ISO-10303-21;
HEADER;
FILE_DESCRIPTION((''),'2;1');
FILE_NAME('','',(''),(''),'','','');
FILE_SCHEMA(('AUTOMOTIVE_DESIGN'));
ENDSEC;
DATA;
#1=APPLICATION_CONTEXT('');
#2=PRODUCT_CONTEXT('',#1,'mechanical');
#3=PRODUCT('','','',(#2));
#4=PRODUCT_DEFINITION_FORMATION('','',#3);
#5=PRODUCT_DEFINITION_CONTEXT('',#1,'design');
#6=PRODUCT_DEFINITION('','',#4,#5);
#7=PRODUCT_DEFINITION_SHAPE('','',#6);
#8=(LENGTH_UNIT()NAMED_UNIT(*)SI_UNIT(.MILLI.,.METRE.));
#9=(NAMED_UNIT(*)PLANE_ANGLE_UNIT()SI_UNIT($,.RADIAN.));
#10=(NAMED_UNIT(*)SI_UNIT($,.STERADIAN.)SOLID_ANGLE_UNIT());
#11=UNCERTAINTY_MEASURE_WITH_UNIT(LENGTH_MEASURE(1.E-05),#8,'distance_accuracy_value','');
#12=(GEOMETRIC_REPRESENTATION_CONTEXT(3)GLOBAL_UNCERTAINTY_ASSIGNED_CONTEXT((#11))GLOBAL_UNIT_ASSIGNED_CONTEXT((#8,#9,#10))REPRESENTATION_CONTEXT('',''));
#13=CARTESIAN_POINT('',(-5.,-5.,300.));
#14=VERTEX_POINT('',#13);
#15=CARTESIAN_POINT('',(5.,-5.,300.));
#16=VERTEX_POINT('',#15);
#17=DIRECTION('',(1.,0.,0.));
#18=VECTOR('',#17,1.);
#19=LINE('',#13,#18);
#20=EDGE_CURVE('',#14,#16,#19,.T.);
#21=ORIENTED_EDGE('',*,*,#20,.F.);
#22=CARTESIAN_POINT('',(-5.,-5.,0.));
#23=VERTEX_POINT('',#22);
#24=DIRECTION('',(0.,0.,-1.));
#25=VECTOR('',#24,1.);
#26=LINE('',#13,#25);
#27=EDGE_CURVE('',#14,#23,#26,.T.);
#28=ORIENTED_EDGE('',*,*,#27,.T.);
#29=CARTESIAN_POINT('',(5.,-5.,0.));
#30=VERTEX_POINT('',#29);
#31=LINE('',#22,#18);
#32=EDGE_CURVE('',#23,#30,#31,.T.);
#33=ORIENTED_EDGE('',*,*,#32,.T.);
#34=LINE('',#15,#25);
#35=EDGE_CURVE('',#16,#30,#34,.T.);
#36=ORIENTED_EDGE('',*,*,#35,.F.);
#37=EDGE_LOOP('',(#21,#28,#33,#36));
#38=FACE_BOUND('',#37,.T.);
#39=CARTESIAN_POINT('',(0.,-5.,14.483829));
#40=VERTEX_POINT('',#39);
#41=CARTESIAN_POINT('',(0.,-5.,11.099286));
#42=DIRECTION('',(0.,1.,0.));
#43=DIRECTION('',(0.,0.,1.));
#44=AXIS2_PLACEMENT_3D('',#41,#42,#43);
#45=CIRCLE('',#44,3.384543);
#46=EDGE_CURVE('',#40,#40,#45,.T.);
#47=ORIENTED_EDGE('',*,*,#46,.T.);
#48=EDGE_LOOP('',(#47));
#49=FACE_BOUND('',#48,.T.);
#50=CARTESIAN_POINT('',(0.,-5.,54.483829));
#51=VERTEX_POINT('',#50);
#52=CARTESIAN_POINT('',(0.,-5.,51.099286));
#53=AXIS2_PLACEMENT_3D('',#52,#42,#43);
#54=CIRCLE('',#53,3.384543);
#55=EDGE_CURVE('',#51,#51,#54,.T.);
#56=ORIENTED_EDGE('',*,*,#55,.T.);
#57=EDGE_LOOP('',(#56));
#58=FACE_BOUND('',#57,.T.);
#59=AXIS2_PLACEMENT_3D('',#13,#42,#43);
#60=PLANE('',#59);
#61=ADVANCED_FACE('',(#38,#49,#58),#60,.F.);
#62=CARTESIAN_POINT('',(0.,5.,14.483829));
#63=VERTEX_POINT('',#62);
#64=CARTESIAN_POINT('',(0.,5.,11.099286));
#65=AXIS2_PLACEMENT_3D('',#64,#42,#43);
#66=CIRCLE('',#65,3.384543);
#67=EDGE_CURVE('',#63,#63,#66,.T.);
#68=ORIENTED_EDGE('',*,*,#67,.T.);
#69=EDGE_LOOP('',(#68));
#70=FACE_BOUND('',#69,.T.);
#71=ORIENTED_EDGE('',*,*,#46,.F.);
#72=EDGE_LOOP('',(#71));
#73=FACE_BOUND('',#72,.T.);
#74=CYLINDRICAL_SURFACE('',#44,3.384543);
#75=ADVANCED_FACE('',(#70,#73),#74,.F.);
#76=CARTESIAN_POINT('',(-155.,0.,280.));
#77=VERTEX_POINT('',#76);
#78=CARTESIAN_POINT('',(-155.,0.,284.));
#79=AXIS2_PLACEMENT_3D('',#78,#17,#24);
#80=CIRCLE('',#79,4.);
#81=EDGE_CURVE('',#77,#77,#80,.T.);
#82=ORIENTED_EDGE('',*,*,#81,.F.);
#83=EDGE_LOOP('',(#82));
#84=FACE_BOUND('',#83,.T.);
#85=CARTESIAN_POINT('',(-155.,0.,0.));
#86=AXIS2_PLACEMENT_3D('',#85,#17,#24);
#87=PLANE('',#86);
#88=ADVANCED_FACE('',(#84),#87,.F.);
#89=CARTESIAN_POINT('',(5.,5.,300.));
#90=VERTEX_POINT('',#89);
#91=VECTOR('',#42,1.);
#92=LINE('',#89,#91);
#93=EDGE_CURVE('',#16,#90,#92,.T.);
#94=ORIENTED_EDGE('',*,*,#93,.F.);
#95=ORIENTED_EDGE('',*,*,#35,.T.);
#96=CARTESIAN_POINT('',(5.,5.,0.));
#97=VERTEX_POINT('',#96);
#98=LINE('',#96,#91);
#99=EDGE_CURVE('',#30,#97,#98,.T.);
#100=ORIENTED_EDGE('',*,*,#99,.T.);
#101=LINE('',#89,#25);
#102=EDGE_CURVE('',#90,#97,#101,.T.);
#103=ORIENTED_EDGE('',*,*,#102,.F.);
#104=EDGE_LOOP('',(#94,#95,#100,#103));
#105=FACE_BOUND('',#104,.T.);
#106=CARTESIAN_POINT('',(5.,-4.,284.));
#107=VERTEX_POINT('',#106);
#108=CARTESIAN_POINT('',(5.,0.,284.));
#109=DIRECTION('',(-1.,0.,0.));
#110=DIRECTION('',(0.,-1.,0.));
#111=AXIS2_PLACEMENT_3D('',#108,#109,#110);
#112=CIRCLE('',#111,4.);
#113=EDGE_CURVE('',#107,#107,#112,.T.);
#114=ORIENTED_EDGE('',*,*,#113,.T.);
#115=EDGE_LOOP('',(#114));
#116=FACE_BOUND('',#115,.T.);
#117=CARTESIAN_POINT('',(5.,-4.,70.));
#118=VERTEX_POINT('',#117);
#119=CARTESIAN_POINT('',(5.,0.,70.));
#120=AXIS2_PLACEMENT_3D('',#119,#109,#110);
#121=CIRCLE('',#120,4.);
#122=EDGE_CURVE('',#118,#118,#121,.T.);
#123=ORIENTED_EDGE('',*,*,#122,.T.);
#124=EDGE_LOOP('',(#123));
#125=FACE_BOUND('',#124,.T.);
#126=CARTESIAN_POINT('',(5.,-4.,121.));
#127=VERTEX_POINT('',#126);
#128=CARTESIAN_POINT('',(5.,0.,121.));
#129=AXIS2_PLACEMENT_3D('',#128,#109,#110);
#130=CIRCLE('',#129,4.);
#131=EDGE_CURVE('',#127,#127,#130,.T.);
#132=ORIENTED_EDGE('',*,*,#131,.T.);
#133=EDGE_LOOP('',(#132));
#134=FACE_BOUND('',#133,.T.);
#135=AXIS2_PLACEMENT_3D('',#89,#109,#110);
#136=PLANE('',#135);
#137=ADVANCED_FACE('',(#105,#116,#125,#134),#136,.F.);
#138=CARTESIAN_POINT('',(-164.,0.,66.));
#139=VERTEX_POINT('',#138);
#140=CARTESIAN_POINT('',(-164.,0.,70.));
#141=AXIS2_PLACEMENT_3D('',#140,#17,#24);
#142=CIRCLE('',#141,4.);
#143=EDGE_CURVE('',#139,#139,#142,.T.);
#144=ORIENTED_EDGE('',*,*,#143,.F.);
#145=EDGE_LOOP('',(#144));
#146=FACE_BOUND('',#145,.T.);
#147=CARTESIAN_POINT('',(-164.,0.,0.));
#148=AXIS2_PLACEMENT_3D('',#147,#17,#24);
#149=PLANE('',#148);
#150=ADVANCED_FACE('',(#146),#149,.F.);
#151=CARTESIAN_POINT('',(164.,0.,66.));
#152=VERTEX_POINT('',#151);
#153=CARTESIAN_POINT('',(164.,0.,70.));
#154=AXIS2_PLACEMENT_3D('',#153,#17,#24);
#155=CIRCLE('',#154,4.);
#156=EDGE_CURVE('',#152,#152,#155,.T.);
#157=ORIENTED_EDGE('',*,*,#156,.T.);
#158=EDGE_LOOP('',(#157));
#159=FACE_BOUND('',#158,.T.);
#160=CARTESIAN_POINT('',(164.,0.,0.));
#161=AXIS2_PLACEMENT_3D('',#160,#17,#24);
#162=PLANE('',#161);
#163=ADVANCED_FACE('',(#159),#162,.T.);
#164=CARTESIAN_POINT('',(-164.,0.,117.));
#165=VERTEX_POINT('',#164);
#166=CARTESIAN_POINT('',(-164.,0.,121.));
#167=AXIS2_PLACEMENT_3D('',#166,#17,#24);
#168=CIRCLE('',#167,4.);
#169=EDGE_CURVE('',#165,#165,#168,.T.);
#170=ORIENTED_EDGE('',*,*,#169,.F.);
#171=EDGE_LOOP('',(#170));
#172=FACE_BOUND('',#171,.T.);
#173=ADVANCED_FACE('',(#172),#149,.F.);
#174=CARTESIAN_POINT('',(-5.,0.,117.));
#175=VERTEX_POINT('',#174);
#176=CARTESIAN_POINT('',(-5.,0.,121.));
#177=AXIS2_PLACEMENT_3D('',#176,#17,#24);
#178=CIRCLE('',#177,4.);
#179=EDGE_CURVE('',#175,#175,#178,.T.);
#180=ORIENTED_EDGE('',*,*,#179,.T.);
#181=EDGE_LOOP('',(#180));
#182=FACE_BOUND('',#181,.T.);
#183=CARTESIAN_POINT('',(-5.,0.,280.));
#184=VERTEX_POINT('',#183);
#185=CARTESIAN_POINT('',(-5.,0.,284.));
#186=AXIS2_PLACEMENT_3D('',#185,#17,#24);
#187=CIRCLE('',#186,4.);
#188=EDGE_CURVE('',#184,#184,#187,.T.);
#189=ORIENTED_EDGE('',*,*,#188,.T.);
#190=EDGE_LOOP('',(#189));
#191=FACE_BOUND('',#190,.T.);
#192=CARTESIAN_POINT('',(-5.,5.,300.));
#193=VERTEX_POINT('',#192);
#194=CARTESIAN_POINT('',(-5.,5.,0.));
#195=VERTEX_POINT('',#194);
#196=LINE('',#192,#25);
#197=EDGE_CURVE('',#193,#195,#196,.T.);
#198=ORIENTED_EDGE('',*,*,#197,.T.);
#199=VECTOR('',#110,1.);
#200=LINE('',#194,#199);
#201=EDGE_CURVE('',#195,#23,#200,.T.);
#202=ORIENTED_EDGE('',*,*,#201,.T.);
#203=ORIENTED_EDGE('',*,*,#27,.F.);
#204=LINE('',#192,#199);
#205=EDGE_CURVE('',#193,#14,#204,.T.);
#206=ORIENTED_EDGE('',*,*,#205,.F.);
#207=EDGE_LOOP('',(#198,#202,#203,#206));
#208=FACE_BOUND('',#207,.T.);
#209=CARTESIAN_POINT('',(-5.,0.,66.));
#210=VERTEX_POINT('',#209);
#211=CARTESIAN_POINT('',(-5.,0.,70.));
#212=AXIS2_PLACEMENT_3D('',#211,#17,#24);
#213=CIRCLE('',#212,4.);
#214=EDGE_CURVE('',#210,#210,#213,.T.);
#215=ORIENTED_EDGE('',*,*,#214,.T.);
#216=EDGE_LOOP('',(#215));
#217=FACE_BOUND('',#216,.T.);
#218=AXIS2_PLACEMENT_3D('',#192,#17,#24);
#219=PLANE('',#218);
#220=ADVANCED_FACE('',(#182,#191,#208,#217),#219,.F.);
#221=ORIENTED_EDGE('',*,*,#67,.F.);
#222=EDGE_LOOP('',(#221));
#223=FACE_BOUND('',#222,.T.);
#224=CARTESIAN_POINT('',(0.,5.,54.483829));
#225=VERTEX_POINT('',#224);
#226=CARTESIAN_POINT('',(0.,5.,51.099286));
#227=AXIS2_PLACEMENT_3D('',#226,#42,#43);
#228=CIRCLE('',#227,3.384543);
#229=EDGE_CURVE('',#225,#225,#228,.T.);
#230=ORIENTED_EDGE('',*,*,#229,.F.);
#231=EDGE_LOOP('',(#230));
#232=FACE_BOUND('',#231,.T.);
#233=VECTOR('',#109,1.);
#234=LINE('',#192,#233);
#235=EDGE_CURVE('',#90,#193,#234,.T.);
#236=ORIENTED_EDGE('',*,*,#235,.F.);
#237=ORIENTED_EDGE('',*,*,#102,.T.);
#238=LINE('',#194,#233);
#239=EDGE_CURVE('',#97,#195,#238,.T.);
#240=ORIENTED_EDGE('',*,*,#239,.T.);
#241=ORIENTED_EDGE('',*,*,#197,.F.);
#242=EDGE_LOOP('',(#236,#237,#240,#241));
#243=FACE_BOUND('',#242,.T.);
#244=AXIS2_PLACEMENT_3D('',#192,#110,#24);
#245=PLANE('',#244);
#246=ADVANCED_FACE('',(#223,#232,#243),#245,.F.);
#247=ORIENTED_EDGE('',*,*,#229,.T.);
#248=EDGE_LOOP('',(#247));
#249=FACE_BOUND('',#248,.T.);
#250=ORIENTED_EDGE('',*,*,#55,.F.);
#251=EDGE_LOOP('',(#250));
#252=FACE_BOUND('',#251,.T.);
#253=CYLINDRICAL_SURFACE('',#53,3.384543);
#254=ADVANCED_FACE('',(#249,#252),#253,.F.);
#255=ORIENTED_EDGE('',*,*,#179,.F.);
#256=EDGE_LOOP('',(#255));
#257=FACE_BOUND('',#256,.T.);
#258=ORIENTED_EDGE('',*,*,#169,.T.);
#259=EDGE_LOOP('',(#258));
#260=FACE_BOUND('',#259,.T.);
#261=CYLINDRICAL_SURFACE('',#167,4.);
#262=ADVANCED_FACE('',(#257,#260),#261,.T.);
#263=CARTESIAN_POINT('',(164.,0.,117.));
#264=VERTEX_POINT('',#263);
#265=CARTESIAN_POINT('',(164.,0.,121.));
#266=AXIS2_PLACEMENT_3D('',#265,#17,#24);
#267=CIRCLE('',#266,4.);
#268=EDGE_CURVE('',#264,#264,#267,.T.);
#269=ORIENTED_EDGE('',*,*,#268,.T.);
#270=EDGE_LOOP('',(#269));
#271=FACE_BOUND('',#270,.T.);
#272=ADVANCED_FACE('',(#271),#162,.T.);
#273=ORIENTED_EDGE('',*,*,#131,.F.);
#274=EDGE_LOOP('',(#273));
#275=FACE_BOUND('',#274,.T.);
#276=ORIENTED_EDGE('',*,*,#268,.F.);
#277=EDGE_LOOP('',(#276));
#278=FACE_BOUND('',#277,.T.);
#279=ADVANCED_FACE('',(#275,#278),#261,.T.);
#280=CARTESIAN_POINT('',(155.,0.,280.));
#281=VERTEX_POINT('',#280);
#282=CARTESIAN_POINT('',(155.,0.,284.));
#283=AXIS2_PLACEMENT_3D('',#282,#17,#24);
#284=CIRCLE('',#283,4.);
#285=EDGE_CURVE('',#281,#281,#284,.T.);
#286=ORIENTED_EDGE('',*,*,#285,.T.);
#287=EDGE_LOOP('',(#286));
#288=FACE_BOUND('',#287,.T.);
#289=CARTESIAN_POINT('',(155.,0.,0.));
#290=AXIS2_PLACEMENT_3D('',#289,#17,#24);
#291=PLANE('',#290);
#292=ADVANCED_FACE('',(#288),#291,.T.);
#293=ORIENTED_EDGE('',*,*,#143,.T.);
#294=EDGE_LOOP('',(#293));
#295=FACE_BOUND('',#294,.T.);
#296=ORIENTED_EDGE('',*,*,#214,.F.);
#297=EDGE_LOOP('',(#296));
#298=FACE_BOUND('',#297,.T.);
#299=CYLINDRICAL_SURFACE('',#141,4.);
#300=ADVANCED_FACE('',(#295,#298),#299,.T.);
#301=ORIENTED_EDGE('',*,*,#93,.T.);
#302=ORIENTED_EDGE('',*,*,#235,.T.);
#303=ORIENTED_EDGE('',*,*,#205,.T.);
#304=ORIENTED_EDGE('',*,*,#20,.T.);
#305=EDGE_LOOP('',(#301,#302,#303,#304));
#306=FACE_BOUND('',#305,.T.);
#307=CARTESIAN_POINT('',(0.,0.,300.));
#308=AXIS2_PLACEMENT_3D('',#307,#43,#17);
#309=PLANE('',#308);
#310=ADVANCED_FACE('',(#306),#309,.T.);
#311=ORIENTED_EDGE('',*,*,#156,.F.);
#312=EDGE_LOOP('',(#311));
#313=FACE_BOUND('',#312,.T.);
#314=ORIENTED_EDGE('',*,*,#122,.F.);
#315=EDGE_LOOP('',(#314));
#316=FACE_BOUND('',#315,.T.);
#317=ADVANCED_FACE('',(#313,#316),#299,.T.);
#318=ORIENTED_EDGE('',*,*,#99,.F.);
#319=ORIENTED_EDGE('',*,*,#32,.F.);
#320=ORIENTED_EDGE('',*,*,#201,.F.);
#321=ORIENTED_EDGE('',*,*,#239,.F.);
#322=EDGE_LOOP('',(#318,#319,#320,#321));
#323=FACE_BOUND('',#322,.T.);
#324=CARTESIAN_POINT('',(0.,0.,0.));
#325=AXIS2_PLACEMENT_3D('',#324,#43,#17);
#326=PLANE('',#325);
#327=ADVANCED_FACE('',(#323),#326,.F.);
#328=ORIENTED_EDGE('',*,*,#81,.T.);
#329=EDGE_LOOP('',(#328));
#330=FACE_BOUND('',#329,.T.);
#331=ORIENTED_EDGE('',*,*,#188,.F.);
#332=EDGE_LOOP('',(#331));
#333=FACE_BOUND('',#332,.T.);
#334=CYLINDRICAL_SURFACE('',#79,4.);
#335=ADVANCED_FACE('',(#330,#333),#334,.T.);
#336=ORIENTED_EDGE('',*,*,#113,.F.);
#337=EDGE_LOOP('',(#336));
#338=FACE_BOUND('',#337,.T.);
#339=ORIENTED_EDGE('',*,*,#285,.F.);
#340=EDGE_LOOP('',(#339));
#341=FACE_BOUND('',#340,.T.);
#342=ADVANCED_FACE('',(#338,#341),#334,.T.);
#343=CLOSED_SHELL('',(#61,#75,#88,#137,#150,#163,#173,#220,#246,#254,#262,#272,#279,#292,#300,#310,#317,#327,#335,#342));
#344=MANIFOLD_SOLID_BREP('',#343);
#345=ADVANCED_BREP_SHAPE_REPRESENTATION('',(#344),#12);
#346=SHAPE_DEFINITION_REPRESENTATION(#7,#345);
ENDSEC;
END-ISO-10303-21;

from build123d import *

# Parameters (mm, degrees)
SKETCH1_W                = 10
SKETCH1_H                = 10
BOSS_EXTRUDE1_DEPTH      = 300
SKETCH9_R                = 3.384543224
CUT_EXTRUDE1_DEPTH       = 301.208261046
BOSS_EXTRUDE7_DEPTH      = 155
BOSS_EXTRUDE7_DEPTH_BACK = 155
SKETCH3_R                = 4
BOSS_EXTRUDE8_DEPTH      = 164
BOSS_EXTRUDE8_DEPTH_BACK = 164
SKETCH3_3_R              = 4
BOSS_EXTRUDE9_DEPTH      = 164
BOSS_EXTRUDE9_DEPTH_BACK = 164
SKETCH3_4_R              = 4


with BuildPart() as part:
    # Sketch1 → Boss-Extrude1 (new body)
    with BuildSketch(Plane.XY):
        Rectangle(SKETCH1_W, SKETCH1_H)
    extrude(amount=BOSS_EXTRUDE1_DEPTH)

    # Sketch9 → Cut-Extrude1 (cut, through all)
    with BuildSketch(Plane(origin=(0, 5, 0), x_dir=(1, 0, 0), z_dir=(0, 1, 0))):
        with Locations((0, -11.099285987)):
            Circle(SKETCH9_R)
        with Locations((0, -51.099285987)):
            Circle(SKETCH9_R)
    extrude(amount=-CUT_EXTRUDE1_DEPTH, mode=Mode.SUBTRACT)

    # Sketch3 → Boss-Extrude7 (add, two sides: drawn at the far end of the back side and taken through both)
    with BuildSketch(Plane(origin=(0, 0, 0), x_dir=(0, 0, -1), z_dir=(1, 0, 0)).offset(-BOSS_EXTRUDE7_DEPTH_BACK)):
        with Locations((-284, 0)):
            Circle(SKETCH3_R)
    extrude(amount=BOSS_EXTRUDE7_DEPTH + BOSS_EXTRUDE7_DEPTH_BACK)

    # Sketch3<3> → Boss-Extrude8 (add, two sides: drawn at the far end of the back side and taken through both)
    with BuildSketch(Plane(origin=(0, 0, 0), x_dir=(0, 0, -1), z_dir=(1, 0, 0)).offset(-BOSS_EXTRUDE8_DEPTH_BACK)):
        with Locations((-70, 0)):
            Circle(SKETCH3_3_R)
    extrude(amount=BOSS_EXTRUDE8_DEPTH + BOSS_EXTRUDE8_DEPTH_BACK)

    # Sketch3<4> → Boss-Extrude9 (add, two sides: drawn at the far end of the back side and taken through both)
    with BuildSketch(Plane(origin=(0, 0, 0), x_dir=(0, 0, -1), z_dir=(1, 0, 0)).offset(-BOSS_EXTRUDE9_DEPTH_BACK)):
        with Locations((-121, 0)):
            Circle(SKETCH3_4_R)
    extrude(amount=BOSS_EXTRUDE9_DEPTH + BOSS_EXTRUDE9_DEPTH_BACK)


solid = part.part
